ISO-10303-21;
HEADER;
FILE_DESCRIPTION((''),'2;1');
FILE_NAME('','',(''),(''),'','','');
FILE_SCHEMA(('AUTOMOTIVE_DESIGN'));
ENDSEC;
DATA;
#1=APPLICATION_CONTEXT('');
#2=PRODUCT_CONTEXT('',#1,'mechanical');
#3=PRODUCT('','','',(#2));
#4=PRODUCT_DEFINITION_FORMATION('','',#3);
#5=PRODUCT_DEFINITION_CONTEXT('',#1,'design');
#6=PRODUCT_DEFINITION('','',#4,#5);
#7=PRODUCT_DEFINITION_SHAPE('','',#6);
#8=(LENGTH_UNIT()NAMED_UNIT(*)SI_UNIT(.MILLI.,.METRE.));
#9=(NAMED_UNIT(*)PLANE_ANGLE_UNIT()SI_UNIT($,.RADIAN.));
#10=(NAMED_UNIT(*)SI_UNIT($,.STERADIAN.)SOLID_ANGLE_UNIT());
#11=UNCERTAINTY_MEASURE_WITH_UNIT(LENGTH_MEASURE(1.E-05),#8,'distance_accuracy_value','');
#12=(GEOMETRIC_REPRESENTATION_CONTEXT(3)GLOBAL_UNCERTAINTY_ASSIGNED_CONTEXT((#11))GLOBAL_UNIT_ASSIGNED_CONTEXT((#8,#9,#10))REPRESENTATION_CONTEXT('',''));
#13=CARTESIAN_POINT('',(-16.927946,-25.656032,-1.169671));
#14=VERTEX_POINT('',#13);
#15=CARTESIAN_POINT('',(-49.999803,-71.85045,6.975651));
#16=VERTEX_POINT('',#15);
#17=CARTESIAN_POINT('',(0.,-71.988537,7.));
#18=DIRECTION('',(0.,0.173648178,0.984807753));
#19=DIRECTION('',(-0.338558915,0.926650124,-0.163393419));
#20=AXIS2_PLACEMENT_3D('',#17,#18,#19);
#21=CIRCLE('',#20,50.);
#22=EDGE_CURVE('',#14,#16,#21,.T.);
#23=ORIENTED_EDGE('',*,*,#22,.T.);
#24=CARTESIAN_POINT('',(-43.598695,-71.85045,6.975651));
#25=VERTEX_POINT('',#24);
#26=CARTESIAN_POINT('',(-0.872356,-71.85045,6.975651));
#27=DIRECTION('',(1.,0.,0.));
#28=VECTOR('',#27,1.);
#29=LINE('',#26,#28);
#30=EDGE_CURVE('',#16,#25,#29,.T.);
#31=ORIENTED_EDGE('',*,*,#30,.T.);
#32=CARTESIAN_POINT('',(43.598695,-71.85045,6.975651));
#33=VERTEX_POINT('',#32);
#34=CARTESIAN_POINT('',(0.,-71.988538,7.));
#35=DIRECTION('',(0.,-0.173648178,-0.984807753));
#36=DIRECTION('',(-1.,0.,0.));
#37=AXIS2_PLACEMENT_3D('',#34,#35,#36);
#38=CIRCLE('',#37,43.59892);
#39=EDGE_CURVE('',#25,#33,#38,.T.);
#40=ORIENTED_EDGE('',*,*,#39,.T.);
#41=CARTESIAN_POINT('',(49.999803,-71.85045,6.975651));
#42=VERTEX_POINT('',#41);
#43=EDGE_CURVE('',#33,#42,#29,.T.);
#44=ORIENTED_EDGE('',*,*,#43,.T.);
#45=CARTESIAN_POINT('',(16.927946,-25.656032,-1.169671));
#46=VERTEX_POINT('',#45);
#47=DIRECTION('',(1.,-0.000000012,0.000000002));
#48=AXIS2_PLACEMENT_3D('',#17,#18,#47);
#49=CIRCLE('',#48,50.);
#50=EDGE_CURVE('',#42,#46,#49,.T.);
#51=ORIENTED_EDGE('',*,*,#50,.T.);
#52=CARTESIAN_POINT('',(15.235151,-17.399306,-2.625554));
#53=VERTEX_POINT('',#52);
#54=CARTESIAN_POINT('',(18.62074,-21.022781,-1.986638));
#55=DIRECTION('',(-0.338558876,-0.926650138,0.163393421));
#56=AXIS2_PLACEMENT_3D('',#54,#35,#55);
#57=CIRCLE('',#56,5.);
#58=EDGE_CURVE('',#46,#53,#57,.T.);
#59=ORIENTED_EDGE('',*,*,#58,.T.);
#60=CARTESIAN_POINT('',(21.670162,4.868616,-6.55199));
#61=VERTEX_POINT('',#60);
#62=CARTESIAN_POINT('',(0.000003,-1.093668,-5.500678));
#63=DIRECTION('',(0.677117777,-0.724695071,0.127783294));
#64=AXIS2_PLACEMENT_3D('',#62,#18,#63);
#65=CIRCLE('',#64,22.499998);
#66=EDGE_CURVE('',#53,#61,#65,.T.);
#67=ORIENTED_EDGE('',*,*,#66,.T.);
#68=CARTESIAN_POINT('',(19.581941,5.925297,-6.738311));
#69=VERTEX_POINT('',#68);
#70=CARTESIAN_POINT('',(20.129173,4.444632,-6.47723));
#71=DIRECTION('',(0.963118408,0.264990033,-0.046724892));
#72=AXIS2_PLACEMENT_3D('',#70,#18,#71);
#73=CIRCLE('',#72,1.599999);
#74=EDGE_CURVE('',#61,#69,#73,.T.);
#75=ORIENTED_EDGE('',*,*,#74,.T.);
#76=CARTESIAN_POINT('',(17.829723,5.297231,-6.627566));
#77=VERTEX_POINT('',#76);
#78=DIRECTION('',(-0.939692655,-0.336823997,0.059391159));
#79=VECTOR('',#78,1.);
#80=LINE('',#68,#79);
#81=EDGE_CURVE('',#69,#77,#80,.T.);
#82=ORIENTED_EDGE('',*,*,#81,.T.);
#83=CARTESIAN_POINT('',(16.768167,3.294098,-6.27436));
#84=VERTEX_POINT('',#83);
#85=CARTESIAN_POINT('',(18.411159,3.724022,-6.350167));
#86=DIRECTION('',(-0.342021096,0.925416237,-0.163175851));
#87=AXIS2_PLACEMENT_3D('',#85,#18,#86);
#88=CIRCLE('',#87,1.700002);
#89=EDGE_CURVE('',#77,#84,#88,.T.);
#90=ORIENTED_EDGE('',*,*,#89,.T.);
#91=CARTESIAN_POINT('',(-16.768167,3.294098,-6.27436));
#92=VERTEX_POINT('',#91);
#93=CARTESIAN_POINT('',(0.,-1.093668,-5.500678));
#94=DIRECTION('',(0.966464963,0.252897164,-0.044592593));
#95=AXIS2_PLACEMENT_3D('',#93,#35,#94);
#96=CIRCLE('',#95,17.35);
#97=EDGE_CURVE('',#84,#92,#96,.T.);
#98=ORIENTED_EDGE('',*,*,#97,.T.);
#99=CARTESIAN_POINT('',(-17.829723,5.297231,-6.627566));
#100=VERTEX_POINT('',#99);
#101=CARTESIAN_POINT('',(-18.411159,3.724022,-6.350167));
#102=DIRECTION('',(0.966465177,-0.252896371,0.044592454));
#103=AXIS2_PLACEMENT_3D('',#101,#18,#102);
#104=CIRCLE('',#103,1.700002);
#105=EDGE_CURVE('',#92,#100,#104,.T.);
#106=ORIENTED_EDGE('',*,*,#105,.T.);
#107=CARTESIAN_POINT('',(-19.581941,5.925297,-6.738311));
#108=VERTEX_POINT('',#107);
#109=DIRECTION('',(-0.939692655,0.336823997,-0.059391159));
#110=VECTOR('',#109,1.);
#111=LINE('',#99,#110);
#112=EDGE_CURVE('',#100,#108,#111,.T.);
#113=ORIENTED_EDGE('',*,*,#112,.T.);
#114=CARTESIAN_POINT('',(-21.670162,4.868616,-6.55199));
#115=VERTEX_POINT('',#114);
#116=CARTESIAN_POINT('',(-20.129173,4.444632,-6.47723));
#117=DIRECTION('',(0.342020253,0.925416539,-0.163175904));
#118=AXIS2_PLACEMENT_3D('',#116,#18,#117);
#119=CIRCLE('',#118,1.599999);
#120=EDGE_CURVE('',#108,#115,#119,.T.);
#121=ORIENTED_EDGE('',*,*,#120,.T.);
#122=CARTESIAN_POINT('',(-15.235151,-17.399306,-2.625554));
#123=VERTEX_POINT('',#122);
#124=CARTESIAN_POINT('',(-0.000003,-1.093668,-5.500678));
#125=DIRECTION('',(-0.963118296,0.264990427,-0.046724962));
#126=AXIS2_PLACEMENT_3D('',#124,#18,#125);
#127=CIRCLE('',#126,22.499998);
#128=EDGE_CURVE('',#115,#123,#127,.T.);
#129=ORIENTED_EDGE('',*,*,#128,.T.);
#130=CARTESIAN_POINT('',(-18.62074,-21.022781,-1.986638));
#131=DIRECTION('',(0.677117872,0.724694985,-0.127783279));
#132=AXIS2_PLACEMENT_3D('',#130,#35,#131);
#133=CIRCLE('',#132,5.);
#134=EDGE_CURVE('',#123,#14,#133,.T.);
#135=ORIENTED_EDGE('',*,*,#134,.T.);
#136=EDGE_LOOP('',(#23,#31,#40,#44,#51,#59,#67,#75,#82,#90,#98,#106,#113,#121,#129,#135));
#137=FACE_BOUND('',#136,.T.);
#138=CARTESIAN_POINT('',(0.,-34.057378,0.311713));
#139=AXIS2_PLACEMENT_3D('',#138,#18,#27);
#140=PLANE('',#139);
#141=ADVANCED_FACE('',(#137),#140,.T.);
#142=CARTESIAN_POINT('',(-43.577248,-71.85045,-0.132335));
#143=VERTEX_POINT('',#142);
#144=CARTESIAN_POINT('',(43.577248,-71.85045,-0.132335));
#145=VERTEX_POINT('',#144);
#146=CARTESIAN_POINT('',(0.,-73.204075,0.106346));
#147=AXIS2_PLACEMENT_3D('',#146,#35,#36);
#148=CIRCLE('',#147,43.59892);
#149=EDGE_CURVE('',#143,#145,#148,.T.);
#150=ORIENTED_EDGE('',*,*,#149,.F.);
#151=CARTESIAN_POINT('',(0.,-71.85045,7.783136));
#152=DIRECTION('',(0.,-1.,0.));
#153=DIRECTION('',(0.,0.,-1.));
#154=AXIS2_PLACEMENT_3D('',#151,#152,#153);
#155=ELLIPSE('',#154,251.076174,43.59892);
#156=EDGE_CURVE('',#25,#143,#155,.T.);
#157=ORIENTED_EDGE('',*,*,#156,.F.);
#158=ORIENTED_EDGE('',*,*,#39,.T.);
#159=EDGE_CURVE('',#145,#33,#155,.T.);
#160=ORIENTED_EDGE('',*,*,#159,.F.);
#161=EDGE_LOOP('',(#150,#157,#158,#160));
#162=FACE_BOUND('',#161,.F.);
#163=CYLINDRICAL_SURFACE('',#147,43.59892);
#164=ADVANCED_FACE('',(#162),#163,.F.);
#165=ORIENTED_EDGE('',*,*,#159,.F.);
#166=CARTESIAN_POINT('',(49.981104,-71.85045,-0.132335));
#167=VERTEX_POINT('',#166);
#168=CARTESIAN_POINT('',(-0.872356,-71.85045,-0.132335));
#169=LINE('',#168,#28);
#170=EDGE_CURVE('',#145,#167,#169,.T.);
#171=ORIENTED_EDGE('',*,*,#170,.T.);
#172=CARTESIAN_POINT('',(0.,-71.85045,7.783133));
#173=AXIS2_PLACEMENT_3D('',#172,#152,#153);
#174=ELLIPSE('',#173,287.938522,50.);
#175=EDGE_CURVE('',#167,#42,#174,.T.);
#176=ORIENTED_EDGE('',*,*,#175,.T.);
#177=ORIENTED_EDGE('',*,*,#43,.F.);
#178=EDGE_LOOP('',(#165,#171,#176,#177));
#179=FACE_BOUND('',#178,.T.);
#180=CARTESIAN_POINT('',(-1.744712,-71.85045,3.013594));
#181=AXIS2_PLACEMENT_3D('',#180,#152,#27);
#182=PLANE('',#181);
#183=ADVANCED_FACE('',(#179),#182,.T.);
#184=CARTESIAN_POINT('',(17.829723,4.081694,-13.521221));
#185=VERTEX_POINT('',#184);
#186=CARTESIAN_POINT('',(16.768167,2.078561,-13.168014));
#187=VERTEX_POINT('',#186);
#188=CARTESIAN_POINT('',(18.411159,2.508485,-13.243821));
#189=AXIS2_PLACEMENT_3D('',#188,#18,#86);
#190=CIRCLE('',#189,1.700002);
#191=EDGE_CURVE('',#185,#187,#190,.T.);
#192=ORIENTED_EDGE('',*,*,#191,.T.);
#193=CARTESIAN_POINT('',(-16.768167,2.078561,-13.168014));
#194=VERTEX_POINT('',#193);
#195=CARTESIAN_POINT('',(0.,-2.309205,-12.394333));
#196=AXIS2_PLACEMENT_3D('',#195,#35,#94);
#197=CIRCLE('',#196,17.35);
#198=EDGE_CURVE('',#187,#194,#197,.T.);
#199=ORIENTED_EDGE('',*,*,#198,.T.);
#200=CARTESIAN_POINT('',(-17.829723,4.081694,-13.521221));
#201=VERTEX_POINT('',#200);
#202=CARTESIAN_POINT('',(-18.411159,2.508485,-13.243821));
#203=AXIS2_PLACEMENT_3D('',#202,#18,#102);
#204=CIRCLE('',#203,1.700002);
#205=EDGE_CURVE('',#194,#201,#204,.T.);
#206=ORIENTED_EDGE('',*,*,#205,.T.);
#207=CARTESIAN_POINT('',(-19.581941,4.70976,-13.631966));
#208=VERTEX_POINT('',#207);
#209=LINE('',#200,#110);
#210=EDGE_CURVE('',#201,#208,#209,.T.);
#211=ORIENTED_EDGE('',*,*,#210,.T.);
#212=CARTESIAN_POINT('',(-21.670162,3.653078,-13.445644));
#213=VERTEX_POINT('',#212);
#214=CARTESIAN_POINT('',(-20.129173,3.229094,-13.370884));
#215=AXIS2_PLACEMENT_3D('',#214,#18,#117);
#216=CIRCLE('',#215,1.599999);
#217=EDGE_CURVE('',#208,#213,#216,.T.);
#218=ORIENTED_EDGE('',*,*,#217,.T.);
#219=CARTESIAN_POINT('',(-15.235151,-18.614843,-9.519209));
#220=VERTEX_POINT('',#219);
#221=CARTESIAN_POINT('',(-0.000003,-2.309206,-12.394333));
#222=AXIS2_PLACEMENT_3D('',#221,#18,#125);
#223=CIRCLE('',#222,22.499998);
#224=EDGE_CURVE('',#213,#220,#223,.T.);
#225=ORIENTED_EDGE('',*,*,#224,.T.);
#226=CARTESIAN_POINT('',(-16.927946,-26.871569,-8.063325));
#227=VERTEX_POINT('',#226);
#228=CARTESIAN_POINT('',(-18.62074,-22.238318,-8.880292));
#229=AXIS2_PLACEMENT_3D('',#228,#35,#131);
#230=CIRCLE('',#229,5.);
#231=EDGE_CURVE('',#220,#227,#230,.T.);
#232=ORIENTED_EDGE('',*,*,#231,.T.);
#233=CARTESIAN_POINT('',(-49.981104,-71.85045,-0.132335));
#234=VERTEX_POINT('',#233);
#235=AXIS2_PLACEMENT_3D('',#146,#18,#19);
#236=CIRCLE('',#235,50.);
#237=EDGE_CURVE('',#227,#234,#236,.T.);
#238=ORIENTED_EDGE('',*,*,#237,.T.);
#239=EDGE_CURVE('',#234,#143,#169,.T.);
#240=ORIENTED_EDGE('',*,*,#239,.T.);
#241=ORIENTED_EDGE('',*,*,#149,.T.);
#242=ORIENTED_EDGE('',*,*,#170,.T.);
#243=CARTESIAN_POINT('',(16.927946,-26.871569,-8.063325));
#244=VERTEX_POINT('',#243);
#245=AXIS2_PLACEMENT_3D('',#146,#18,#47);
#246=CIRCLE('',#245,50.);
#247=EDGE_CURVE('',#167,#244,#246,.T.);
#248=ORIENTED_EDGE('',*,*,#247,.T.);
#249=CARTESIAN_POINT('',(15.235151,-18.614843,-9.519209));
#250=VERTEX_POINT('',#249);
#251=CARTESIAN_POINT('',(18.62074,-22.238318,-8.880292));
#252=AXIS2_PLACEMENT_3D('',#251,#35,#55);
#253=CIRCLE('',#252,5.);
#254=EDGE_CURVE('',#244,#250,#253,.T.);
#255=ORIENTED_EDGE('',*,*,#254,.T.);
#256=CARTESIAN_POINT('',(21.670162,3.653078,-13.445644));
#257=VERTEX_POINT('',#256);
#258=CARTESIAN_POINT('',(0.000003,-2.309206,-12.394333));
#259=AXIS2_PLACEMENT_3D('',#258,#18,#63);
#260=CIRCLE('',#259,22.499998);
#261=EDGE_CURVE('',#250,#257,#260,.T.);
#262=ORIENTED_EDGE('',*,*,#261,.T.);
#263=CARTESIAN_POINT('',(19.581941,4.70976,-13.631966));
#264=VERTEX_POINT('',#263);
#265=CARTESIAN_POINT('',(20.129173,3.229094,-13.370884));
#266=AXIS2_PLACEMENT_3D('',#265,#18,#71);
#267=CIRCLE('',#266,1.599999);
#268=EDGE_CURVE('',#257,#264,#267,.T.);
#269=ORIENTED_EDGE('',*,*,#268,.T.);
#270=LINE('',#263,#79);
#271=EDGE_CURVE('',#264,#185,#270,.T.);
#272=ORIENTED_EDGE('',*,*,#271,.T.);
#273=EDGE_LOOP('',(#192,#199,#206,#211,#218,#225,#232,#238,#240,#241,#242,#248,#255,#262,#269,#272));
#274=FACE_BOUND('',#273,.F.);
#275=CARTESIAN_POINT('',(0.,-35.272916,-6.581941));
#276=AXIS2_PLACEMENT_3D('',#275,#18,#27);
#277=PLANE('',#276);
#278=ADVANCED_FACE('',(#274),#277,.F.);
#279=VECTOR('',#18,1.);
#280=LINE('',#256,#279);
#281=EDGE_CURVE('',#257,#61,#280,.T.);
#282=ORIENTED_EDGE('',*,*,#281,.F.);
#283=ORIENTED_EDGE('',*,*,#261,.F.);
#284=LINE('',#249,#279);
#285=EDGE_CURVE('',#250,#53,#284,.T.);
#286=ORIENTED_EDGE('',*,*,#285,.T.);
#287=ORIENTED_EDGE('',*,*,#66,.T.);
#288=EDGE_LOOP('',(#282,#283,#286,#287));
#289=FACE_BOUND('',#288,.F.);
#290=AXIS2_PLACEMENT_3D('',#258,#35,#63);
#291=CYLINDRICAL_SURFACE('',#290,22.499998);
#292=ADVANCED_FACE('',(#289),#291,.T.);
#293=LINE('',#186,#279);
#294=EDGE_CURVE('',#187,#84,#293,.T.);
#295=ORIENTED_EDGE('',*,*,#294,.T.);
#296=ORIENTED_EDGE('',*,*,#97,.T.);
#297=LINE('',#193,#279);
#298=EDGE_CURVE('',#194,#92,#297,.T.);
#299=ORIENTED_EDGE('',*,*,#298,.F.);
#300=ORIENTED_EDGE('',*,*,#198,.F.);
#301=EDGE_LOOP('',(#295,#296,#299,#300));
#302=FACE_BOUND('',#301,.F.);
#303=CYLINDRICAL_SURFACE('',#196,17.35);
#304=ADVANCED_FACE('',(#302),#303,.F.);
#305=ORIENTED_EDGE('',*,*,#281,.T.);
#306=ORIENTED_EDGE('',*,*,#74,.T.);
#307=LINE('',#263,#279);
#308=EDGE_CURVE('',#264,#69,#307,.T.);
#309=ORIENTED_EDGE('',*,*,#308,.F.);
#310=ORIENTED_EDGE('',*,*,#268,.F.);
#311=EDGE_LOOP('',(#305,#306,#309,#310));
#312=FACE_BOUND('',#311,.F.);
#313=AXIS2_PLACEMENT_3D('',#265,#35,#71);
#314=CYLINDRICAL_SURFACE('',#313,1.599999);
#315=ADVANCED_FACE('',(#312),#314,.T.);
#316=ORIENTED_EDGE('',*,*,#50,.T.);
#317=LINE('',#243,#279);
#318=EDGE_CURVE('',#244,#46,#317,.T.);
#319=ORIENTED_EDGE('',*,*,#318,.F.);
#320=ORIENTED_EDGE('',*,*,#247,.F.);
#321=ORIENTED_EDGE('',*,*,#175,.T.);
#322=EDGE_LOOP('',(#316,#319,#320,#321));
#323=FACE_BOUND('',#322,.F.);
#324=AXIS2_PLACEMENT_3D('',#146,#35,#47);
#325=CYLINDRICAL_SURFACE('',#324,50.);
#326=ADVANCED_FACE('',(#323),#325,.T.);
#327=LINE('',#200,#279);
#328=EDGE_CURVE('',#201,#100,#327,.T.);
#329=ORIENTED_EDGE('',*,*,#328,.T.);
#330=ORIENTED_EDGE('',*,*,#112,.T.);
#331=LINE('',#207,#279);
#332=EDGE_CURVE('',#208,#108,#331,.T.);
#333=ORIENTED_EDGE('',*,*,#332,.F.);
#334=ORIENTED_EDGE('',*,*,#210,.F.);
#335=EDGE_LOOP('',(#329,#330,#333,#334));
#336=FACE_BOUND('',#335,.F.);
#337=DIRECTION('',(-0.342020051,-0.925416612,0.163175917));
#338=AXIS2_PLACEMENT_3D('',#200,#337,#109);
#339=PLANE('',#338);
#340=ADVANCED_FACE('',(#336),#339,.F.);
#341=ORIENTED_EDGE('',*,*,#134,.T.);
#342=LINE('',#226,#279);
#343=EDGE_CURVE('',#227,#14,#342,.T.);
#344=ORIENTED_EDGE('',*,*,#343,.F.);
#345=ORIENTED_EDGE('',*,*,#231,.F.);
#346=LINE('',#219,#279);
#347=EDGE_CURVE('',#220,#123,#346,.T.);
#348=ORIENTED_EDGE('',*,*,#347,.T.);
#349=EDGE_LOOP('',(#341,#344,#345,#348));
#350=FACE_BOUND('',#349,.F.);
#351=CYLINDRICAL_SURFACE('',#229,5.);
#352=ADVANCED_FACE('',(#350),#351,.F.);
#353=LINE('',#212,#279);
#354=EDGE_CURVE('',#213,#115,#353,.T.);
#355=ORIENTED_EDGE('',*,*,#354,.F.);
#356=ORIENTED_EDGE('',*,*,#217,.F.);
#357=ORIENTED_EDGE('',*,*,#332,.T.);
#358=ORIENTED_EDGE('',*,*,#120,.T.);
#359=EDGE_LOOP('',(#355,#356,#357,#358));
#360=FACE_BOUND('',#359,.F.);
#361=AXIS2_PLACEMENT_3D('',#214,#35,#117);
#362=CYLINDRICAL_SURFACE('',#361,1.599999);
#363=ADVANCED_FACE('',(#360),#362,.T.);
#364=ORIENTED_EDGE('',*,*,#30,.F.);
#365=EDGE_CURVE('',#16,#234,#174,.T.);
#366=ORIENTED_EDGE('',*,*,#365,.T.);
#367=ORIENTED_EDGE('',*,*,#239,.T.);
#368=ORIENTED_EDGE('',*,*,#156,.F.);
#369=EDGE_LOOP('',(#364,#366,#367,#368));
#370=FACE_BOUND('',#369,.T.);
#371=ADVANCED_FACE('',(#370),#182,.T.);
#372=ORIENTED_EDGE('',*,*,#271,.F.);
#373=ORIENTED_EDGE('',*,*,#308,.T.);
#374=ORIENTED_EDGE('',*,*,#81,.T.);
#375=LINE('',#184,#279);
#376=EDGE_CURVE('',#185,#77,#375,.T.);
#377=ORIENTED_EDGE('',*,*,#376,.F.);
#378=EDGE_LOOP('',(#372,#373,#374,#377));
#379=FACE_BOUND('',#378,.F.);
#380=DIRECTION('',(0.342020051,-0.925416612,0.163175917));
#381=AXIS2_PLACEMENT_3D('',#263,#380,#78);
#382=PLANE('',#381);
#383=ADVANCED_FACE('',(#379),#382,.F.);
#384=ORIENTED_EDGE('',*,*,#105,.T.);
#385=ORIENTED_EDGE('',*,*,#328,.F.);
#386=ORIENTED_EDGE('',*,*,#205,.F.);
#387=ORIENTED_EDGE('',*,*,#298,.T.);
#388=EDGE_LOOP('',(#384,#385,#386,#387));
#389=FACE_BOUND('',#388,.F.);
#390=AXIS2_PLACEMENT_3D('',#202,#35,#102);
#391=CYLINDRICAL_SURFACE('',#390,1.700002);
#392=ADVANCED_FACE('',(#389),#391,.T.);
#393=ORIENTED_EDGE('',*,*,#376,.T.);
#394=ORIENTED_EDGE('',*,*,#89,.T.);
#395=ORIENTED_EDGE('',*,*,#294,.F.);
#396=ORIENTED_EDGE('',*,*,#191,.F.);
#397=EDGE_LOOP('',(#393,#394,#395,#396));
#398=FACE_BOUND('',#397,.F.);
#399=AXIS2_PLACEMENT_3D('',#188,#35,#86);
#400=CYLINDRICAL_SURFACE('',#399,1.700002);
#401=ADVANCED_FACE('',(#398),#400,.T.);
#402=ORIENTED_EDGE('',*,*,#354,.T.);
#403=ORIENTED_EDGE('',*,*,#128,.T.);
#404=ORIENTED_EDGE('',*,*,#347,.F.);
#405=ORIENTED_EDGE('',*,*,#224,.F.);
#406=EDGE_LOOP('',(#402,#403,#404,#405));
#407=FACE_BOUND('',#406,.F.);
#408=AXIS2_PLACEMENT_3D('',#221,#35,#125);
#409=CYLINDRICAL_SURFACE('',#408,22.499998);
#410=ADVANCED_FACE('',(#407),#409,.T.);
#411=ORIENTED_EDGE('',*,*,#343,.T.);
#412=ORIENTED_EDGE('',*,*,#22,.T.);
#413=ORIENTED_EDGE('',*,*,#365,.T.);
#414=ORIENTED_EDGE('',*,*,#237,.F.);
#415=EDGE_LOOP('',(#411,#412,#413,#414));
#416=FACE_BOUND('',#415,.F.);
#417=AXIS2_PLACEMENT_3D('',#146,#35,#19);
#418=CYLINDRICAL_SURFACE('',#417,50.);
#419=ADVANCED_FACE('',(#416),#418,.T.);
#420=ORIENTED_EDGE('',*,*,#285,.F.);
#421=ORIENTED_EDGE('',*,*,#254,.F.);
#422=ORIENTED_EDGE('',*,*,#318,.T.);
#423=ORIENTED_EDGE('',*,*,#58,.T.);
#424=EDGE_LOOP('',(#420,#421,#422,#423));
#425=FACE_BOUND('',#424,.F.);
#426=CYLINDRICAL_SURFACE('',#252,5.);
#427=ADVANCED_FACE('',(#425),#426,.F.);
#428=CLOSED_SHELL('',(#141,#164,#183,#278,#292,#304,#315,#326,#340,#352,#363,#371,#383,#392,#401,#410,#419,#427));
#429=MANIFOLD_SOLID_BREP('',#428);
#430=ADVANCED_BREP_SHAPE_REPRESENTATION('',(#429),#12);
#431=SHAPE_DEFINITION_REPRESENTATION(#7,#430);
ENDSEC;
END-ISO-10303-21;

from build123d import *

# Parameters (mm, degrees)
F1_DEPTH = 7
F2_ANGLE = -10
F3_W     = 126.412388
F3_H     = 62.651056
F4_DEPTH = 25


with BuildPart() as f1:
    # F0 (on Top) → F1 (new body)
    with BuildSketch(Plane.XY):
        with BuildLine():
            ThreePointArc((16.768167, 4.455454), (0, -17.35), (-16.768167, 4.455454))
            ThreePointArc((-16.768167, 4.455454), (-16.904061, 5.67856), (-17.829723, 6.489489))
            Line((-17.829723, 6.489489), (-19.581941, 7.127244))
            ThreePointArc((-19.581941, 7.127244), (-20.860413, 7.046862), (-21.670162, 6.054261))
            ThreePointArc((-21.670162, 6.054261), (-21.640699, -6.158747), (-15.235151, -16.557179))
            ThreePointArc((-15.235151, -16.557179), (-13.719641, -21.22611), (-16.927946, -24.941278))
            ThreePointArc((-16.927946, -24.941278), (-40.904751, -43.234384), (-50, -71.988538))
            Line((-50, -71.988538), (-43.59892, -71.988538))
            ThreePointArc((-43.59892, -71.988538), (0, -28.389618), (43.59892, -71.988538))
            Line((43.59892, -71.988538), (50, -71.988538))
            ThreePointArc((50, -71.988538), (40.904751, -43.234384), (16.927946, -24.941278))
            ThreePointArc((16.927946, -24.941278), (13.719641, -21.22611), (15.235151, -16.557179))
            ThreePointArc((15.235151, -16.557179), (21.640699, -6.158747), (21.670162, 6.054261))
            ThreePointArc((21.670162, 6.054261), (20.860413, 7.046862), (19.581941, 7.127244))
            Line((19.581941, 7.127244), (17.829723, 6.489489))
            ThreePointArc((17.829723, 6.489489), (16.904061, 5.67856), (16.768167, 4.455454))
        make_face()
    extrude(amount=F1_DEPTH)


with BuildPart() as f1_1:
    # F2: moved
    add(f1.part.rotate(Axis((-46.79946, -71.988538, 7), (1, 0, 0)), F2_ANGLE))


with BuildPart() as f4:
    # F3 (on Front) → F4 (new body)
    with BuildSketch(Plane.XZ):
        with Locations((-1.744712, 3.013594)):
            Rectangle(F3_W, F3_H)
    extrude(amount=F4_DEPTH)


with BuildPart() as f4_1:
    # F5: moved
    add(f4.part.moved(Location((0, -71.85045, 0))))


with BuildPart() as f1_2:
    add(f1_1.part)

    # F6: cut F4
    add(f4_1.part, mode=Mode.SUBTRACT)


solid = f1_2.part
